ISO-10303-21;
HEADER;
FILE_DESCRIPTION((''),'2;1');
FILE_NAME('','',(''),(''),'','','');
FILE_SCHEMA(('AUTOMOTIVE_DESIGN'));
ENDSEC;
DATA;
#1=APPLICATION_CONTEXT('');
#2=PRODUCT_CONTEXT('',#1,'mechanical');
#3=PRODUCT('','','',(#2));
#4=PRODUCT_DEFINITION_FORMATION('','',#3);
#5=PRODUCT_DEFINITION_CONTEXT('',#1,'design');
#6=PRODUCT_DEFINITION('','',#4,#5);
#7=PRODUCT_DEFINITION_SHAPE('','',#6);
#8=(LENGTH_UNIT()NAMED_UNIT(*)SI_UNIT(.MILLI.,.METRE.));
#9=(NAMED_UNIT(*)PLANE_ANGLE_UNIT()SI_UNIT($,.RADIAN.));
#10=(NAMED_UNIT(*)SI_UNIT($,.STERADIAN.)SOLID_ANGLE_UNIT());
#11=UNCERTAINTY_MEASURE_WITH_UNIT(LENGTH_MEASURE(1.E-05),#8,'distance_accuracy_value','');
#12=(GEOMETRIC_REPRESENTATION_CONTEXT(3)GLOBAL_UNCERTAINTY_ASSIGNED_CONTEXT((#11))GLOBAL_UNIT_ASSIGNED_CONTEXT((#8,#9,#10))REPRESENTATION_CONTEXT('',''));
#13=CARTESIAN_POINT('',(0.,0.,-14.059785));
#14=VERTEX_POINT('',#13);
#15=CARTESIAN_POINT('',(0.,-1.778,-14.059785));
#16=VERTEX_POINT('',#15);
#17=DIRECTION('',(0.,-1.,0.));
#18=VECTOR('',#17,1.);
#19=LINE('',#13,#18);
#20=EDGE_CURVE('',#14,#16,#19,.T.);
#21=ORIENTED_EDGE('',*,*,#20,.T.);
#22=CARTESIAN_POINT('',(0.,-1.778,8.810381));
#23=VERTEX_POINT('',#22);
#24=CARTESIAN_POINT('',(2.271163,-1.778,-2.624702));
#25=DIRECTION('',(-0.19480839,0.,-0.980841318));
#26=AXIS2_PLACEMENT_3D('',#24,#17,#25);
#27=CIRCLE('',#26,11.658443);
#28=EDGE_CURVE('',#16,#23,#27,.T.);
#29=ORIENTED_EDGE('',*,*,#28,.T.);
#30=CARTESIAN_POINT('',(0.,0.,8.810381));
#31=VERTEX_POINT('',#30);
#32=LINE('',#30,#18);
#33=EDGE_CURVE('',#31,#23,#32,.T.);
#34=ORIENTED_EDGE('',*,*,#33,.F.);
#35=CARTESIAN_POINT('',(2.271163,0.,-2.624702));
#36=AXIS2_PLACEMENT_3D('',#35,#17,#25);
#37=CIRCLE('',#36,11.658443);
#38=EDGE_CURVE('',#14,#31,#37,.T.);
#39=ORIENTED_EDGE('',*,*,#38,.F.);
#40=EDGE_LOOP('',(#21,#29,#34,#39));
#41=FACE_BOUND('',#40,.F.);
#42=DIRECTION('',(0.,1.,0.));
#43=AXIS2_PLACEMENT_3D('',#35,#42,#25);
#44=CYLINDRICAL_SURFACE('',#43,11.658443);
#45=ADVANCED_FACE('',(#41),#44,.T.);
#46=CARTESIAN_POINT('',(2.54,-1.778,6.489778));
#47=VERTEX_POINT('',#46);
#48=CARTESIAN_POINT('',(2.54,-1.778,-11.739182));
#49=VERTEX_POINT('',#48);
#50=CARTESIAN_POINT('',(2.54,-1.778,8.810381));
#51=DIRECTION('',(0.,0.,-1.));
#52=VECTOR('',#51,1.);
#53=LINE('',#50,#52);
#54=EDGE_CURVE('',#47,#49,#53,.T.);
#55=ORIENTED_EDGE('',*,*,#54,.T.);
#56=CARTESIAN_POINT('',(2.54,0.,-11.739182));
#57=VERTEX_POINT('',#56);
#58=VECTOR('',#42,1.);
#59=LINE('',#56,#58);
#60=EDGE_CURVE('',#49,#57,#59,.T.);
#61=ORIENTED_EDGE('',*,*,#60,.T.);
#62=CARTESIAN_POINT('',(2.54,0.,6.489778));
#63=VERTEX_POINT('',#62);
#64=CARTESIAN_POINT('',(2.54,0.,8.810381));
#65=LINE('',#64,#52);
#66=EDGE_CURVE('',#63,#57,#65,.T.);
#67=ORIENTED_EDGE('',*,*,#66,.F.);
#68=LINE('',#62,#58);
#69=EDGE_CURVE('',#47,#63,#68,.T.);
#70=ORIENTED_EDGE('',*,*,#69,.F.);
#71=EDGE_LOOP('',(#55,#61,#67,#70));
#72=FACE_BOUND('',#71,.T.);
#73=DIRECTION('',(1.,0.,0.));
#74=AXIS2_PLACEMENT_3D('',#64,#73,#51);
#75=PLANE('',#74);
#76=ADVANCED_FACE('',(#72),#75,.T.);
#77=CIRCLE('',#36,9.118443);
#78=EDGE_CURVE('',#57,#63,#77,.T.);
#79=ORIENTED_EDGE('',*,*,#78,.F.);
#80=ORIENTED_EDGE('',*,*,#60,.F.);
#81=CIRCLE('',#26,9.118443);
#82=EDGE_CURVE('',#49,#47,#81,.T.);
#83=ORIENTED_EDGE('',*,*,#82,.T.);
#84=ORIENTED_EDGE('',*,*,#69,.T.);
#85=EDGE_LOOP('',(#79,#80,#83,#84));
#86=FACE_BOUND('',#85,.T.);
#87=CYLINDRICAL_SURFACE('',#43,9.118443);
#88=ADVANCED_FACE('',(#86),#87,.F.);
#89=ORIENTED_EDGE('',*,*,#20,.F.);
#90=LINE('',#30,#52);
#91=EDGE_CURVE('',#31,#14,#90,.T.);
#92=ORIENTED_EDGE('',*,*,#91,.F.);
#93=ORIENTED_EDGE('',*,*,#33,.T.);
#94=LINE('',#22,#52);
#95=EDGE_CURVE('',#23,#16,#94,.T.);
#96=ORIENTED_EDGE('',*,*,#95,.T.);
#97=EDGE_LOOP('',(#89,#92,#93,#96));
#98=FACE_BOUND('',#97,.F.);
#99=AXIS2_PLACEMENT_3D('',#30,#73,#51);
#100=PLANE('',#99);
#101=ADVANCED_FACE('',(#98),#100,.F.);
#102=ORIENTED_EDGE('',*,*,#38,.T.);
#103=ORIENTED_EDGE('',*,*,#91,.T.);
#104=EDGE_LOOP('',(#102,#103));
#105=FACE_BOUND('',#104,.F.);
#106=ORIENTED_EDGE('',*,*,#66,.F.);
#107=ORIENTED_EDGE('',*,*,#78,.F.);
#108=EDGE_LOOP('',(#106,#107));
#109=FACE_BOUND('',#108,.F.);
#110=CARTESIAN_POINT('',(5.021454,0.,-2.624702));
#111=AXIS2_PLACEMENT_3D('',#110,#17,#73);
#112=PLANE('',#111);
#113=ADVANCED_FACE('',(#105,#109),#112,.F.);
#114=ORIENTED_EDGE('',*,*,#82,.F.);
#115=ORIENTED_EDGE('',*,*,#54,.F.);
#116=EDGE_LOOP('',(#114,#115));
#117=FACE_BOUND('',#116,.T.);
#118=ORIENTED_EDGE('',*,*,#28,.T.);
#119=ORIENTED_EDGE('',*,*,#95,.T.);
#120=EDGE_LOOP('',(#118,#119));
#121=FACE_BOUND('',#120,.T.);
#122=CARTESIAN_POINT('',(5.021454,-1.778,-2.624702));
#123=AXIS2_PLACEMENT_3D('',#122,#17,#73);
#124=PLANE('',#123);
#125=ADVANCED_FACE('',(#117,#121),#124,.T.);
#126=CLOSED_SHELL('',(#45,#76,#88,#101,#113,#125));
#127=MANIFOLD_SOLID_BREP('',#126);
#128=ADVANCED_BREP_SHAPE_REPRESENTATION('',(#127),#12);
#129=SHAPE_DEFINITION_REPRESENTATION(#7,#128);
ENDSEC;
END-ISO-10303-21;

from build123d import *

# Parameters (mm, degrees)
F1_DEPTH = 1.778
F2_T     = -2.54


with BuildPart() as f1:
    # F0 (on Front) → F1 (new body)
    with BuildSketch(Plane.XZ):
        with BuildLine():
            ThreePointArc((0, -14.059785), (13.929606, -2.624702), (0, 8.810381))
            Line((0, 8.810381), (0, -14.059785))
        make_face()
    extrude(amount=F1_DEPTH)

    # F2
    f2_openings = [f1.faces().sort_by_distance(p)[0] for p in [
        (6.016987, -1.778, -2.624702),
        (6.016987, 0, -2.624702),
    ]]
    offset(amount=F2_T, openings=f2_openings)


solid = f1.part
